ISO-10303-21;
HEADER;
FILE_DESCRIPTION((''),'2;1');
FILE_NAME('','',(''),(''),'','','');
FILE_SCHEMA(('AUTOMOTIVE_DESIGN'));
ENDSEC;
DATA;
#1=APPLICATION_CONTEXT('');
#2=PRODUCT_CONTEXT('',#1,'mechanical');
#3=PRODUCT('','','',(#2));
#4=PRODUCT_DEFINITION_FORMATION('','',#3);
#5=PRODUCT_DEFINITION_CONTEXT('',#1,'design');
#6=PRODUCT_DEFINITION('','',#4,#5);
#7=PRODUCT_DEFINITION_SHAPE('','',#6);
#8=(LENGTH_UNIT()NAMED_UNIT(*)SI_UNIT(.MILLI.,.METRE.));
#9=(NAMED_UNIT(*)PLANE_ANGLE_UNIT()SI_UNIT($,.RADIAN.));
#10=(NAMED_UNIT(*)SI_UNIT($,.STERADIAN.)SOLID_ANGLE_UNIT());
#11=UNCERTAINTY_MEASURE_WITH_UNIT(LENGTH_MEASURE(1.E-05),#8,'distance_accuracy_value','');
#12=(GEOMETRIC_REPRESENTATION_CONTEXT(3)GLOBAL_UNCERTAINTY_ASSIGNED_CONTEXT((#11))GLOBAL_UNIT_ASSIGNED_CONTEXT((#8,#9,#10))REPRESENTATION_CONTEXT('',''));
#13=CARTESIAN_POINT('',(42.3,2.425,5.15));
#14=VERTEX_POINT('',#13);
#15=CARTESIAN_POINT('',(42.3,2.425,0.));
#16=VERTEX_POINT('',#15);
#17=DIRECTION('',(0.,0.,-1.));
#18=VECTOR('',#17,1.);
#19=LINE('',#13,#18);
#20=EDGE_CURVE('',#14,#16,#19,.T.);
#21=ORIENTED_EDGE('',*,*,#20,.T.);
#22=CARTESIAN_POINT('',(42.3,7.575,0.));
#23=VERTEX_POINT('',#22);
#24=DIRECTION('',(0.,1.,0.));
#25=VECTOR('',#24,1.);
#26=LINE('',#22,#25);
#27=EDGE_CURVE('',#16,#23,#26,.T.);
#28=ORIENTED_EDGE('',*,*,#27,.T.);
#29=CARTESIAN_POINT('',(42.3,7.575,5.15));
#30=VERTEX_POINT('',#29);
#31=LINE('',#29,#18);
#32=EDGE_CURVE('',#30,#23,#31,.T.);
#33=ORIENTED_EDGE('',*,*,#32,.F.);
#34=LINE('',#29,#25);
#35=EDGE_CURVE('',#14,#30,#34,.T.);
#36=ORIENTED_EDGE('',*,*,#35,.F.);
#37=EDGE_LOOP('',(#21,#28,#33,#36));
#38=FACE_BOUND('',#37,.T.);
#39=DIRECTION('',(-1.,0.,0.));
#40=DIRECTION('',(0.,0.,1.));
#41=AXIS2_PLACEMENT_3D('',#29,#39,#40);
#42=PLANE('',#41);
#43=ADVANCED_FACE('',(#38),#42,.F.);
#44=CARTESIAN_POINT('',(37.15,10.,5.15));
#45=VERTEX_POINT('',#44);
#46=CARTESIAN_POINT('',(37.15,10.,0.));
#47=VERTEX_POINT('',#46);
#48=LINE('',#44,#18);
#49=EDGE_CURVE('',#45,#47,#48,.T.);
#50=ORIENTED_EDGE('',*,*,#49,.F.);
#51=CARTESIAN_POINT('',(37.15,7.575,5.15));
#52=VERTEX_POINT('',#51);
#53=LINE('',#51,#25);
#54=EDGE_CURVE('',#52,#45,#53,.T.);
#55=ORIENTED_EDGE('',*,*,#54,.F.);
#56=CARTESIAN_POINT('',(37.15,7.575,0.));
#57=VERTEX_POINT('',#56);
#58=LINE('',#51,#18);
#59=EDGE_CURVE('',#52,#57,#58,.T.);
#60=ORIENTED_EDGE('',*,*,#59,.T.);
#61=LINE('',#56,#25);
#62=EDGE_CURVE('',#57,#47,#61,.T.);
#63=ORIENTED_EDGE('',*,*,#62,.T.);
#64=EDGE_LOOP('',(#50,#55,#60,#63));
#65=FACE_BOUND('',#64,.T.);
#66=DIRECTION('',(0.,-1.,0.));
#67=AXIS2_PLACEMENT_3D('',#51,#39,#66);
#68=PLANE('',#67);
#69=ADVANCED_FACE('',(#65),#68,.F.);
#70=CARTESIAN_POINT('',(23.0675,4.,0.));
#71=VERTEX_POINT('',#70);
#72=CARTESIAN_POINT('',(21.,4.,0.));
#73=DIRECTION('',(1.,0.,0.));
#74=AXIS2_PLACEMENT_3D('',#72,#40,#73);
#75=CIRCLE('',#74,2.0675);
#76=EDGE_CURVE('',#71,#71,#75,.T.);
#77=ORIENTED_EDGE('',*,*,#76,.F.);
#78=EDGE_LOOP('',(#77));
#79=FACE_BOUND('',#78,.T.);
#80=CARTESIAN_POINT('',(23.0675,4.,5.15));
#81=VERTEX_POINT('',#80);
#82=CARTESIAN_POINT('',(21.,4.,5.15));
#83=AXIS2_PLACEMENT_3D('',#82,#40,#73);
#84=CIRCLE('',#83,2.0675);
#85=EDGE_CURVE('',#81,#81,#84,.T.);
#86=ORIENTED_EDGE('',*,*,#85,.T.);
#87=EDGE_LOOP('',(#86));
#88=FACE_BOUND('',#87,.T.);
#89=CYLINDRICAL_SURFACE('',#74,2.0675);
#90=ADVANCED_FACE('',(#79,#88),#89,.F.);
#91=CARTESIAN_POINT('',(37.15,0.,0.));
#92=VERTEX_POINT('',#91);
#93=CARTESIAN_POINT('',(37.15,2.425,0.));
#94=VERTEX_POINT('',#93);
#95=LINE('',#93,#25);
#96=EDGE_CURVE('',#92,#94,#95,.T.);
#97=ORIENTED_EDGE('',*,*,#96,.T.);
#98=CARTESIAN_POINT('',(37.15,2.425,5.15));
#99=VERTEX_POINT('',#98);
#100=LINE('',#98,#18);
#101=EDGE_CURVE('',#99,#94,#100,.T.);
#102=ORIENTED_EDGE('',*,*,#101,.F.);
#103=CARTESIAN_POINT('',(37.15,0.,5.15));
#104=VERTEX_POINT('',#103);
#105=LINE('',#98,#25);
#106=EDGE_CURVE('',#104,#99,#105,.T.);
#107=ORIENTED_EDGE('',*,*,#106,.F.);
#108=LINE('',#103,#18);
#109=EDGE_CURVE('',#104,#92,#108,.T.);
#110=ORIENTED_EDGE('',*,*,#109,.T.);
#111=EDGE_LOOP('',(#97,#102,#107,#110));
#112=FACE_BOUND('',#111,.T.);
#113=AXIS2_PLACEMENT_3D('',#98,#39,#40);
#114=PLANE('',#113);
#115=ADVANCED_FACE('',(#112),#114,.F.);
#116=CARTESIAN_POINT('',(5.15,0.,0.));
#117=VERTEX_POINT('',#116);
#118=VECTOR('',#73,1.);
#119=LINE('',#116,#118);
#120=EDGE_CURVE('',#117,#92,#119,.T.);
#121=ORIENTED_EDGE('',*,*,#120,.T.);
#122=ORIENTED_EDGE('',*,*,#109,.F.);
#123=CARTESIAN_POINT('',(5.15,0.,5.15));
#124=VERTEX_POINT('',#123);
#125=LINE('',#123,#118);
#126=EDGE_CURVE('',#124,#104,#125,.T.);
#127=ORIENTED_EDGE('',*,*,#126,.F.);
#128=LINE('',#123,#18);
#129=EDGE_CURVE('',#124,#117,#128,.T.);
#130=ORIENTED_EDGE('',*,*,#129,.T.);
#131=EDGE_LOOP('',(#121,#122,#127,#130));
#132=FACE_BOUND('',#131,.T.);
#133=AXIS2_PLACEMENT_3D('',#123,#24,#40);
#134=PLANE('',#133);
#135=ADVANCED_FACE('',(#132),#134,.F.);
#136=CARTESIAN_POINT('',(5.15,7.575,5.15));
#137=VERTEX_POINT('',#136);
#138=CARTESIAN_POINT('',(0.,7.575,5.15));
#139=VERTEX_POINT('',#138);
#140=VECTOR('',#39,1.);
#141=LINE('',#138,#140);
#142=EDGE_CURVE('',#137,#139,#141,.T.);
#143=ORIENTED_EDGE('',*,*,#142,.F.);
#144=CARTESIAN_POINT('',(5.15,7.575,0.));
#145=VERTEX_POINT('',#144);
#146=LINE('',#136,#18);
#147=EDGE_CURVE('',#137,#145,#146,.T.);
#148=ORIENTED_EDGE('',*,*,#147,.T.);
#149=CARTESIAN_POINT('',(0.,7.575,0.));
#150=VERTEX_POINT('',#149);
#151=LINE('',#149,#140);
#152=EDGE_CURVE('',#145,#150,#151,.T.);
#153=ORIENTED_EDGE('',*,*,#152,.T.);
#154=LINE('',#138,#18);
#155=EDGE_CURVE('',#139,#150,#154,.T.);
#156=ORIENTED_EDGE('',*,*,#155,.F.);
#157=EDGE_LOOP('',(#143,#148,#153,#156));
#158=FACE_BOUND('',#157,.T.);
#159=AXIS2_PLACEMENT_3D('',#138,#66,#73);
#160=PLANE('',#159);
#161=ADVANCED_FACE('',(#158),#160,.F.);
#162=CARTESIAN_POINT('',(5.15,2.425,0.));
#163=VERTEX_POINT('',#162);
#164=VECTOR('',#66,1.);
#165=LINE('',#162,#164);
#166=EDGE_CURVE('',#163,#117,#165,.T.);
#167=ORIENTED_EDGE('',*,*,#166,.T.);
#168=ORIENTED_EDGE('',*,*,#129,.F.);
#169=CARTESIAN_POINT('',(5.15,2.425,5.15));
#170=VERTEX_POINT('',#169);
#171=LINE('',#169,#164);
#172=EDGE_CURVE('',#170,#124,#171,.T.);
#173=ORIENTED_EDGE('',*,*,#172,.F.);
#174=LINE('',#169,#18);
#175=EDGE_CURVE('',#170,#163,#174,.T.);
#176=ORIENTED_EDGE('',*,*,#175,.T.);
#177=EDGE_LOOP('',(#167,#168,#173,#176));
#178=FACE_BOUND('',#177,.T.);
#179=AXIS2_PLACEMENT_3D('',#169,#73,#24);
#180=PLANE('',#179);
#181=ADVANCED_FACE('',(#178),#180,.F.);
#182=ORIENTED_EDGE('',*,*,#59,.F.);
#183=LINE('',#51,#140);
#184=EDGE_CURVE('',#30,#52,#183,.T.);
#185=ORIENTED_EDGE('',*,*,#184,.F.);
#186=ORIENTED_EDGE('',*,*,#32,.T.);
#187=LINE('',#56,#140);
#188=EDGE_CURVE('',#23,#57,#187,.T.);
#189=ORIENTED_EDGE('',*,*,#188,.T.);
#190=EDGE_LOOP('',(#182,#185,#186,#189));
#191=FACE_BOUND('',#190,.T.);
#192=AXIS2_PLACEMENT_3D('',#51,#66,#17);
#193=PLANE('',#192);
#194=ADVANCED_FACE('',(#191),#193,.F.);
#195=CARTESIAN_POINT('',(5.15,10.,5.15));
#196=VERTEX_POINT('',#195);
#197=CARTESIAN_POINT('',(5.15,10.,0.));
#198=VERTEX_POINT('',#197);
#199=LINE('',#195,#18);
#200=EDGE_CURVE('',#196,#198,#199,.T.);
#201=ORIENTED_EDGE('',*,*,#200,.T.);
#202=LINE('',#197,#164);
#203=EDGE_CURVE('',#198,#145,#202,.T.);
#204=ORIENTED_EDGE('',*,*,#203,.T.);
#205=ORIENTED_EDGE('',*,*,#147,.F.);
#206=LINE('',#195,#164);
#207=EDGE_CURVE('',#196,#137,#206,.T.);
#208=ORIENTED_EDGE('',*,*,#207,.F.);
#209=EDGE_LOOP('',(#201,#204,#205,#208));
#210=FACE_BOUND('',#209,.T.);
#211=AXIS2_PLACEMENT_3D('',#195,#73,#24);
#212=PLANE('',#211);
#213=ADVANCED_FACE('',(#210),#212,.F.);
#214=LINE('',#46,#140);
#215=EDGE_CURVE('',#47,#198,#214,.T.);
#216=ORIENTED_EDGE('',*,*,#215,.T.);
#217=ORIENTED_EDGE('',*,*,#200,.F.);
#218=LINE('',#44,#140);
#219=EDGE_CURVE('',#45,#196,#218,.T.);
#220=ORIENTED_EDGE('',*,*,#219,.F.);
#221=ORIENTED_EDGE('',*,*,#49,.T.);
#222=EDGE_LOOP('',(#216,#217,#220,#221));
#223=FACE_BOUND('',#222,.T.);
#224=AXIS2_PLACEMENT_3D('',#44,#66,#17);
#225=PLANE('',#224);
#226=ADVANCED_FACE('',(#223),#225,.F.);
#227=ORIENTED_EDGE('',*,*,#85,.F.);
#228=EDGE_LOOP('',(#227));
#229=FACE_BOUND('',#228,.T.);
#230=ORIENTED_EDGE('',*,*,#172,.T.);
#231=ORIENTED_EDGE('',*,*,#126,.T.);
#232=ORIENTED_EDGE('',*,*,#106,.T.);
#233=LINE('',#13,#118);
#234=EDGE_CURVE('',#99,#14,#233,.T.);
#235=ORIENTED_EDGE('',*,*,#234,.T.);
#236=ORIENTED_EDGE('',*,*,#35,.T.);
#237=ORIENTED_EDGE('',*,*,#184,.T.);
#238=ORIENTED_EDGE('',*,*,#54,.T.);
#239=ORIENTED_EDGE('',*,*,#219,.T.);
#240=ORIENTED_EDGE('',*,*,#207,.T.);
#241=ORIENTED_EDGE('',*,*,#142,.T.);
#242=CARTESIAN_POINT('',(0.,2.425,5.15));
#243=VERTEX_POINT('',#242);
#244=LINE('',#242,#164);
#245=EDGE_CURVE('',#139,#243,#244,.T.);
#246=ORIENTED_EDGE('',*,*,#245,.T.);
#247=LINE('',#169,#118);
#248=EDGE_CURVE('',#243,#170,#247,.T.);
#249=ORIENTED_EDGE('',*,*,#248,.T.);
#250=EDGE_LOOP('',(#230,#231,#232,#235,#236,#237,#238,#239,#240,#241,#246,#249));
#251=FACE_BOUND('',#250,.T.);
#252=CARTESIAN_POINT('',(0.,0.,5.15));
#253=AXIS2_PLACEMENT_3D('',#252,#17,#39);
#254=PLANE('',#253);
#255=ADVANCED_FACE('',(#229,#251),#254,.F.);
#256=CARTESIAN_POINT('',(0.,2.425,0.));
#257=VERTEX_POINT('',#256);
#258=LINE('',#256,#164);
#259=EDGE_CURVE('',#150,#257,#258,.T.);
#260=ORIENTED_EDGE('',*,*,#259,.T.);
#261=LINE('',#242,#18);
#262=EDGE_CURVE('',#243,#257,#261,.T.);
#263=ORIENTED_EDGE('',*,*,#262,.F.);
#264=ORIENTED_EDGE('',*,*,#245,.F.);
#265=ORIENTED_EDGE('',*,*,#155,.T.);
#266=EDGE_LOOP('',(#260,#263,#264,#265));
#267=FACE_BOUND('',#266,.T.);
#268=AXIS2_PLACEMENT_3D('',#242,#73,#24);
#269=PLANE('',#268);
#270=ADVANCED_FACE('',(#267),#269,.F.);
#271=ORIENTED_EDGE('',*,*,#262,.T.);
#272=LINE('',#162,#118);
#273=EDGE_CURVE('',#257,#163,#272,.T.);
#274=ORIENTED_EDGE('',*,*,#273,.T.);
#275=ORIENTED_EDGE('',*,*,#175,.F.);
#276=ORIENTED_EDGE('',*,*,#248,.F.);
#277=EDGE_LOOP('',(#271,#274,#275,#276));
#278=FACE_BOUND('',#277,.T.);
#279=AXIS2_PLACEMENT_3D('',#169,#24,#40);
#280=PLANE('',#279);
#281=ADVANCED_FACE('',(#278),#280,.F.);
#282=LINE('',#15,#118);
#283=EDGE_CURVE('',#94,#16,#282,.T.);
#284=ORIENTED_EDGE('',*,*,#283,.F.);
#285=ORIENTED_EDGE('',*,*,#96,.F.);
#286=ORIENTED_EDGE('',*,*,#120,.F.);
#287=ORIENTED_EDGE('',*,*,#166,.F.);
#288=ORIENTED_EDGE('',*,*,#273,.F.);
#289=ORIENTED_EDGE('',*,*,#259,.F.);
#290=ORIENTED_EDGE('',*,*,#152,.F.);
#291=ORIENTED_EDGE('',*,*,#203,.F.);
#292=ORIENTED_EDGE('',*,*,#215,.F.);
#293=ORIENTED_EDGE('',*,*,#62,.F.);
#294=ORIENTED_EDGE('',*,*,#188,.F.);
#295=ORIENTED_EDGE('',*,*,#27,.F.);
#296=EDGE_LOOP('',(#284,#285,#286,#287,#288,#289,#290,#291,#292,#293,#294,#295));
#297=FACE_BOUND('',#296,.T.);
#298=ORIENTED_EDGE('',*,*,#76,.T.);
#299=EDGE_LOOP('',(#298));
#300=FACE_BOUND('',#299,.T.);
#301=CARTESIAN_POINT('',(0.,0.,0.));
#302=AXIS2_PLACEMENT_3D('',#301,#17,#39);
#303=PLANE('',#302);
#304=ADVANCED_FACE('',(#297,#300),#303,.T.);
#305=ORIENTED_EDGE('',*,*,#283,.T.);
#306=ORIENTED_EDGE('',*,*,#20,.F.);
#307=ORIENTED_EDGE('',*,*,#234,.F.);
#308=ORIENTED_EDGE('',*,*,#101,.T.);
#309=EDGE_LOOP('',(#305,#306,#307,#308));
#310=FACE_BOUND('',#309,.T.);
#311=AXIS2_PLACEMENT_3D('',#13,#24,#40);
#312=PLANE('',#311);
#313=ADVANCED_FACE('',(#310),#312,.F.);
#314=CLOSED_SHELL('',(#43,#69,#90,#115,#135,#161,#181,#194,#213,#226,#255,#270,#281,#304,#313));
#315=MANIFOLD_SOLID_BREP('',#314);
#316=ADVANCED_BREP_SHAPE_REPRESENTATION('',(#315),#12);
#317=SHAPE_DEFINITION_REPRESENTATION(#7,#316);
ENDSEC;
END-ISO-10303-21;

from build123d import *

# Parameters (mm, degrees)
BOSS_EXTRUDE1_DEPTH = 5.15
SKETCH2_R           = 2.0675
CUT_EXTRUDE1_DEPTH  = 6.15


with BuildPart() as part:
    # Sketch1 → Boss-Extrude1 (new body)
    with BuildSketch(Plane.XY):
        Polygon((0, 2.425), (0, 7.575), (5.15, 7.575), (5.15, 10), (37.15, 10), (37.15, 7.575), (42.3, 7.575), (42.3, 2.425), (37.15, 2.425), (37.15, 0), (5.15, 0), (5.15, 2.425), align=None)
    extrude(amount=BOSS_EXTRUDE1_DEPTH)

    # Sketch2 → Cut-Extrude1 (cut, through all)
    with BuildSketch(Plane.XY.offset(5.15)):
        with Locations((21, 4)):
            Circle(SKETCH2_R)
    extrude(amount=-CUT_EXTRUDE1_DEPTH, mode=Mode.SUBTRACT)


solid = part.part
